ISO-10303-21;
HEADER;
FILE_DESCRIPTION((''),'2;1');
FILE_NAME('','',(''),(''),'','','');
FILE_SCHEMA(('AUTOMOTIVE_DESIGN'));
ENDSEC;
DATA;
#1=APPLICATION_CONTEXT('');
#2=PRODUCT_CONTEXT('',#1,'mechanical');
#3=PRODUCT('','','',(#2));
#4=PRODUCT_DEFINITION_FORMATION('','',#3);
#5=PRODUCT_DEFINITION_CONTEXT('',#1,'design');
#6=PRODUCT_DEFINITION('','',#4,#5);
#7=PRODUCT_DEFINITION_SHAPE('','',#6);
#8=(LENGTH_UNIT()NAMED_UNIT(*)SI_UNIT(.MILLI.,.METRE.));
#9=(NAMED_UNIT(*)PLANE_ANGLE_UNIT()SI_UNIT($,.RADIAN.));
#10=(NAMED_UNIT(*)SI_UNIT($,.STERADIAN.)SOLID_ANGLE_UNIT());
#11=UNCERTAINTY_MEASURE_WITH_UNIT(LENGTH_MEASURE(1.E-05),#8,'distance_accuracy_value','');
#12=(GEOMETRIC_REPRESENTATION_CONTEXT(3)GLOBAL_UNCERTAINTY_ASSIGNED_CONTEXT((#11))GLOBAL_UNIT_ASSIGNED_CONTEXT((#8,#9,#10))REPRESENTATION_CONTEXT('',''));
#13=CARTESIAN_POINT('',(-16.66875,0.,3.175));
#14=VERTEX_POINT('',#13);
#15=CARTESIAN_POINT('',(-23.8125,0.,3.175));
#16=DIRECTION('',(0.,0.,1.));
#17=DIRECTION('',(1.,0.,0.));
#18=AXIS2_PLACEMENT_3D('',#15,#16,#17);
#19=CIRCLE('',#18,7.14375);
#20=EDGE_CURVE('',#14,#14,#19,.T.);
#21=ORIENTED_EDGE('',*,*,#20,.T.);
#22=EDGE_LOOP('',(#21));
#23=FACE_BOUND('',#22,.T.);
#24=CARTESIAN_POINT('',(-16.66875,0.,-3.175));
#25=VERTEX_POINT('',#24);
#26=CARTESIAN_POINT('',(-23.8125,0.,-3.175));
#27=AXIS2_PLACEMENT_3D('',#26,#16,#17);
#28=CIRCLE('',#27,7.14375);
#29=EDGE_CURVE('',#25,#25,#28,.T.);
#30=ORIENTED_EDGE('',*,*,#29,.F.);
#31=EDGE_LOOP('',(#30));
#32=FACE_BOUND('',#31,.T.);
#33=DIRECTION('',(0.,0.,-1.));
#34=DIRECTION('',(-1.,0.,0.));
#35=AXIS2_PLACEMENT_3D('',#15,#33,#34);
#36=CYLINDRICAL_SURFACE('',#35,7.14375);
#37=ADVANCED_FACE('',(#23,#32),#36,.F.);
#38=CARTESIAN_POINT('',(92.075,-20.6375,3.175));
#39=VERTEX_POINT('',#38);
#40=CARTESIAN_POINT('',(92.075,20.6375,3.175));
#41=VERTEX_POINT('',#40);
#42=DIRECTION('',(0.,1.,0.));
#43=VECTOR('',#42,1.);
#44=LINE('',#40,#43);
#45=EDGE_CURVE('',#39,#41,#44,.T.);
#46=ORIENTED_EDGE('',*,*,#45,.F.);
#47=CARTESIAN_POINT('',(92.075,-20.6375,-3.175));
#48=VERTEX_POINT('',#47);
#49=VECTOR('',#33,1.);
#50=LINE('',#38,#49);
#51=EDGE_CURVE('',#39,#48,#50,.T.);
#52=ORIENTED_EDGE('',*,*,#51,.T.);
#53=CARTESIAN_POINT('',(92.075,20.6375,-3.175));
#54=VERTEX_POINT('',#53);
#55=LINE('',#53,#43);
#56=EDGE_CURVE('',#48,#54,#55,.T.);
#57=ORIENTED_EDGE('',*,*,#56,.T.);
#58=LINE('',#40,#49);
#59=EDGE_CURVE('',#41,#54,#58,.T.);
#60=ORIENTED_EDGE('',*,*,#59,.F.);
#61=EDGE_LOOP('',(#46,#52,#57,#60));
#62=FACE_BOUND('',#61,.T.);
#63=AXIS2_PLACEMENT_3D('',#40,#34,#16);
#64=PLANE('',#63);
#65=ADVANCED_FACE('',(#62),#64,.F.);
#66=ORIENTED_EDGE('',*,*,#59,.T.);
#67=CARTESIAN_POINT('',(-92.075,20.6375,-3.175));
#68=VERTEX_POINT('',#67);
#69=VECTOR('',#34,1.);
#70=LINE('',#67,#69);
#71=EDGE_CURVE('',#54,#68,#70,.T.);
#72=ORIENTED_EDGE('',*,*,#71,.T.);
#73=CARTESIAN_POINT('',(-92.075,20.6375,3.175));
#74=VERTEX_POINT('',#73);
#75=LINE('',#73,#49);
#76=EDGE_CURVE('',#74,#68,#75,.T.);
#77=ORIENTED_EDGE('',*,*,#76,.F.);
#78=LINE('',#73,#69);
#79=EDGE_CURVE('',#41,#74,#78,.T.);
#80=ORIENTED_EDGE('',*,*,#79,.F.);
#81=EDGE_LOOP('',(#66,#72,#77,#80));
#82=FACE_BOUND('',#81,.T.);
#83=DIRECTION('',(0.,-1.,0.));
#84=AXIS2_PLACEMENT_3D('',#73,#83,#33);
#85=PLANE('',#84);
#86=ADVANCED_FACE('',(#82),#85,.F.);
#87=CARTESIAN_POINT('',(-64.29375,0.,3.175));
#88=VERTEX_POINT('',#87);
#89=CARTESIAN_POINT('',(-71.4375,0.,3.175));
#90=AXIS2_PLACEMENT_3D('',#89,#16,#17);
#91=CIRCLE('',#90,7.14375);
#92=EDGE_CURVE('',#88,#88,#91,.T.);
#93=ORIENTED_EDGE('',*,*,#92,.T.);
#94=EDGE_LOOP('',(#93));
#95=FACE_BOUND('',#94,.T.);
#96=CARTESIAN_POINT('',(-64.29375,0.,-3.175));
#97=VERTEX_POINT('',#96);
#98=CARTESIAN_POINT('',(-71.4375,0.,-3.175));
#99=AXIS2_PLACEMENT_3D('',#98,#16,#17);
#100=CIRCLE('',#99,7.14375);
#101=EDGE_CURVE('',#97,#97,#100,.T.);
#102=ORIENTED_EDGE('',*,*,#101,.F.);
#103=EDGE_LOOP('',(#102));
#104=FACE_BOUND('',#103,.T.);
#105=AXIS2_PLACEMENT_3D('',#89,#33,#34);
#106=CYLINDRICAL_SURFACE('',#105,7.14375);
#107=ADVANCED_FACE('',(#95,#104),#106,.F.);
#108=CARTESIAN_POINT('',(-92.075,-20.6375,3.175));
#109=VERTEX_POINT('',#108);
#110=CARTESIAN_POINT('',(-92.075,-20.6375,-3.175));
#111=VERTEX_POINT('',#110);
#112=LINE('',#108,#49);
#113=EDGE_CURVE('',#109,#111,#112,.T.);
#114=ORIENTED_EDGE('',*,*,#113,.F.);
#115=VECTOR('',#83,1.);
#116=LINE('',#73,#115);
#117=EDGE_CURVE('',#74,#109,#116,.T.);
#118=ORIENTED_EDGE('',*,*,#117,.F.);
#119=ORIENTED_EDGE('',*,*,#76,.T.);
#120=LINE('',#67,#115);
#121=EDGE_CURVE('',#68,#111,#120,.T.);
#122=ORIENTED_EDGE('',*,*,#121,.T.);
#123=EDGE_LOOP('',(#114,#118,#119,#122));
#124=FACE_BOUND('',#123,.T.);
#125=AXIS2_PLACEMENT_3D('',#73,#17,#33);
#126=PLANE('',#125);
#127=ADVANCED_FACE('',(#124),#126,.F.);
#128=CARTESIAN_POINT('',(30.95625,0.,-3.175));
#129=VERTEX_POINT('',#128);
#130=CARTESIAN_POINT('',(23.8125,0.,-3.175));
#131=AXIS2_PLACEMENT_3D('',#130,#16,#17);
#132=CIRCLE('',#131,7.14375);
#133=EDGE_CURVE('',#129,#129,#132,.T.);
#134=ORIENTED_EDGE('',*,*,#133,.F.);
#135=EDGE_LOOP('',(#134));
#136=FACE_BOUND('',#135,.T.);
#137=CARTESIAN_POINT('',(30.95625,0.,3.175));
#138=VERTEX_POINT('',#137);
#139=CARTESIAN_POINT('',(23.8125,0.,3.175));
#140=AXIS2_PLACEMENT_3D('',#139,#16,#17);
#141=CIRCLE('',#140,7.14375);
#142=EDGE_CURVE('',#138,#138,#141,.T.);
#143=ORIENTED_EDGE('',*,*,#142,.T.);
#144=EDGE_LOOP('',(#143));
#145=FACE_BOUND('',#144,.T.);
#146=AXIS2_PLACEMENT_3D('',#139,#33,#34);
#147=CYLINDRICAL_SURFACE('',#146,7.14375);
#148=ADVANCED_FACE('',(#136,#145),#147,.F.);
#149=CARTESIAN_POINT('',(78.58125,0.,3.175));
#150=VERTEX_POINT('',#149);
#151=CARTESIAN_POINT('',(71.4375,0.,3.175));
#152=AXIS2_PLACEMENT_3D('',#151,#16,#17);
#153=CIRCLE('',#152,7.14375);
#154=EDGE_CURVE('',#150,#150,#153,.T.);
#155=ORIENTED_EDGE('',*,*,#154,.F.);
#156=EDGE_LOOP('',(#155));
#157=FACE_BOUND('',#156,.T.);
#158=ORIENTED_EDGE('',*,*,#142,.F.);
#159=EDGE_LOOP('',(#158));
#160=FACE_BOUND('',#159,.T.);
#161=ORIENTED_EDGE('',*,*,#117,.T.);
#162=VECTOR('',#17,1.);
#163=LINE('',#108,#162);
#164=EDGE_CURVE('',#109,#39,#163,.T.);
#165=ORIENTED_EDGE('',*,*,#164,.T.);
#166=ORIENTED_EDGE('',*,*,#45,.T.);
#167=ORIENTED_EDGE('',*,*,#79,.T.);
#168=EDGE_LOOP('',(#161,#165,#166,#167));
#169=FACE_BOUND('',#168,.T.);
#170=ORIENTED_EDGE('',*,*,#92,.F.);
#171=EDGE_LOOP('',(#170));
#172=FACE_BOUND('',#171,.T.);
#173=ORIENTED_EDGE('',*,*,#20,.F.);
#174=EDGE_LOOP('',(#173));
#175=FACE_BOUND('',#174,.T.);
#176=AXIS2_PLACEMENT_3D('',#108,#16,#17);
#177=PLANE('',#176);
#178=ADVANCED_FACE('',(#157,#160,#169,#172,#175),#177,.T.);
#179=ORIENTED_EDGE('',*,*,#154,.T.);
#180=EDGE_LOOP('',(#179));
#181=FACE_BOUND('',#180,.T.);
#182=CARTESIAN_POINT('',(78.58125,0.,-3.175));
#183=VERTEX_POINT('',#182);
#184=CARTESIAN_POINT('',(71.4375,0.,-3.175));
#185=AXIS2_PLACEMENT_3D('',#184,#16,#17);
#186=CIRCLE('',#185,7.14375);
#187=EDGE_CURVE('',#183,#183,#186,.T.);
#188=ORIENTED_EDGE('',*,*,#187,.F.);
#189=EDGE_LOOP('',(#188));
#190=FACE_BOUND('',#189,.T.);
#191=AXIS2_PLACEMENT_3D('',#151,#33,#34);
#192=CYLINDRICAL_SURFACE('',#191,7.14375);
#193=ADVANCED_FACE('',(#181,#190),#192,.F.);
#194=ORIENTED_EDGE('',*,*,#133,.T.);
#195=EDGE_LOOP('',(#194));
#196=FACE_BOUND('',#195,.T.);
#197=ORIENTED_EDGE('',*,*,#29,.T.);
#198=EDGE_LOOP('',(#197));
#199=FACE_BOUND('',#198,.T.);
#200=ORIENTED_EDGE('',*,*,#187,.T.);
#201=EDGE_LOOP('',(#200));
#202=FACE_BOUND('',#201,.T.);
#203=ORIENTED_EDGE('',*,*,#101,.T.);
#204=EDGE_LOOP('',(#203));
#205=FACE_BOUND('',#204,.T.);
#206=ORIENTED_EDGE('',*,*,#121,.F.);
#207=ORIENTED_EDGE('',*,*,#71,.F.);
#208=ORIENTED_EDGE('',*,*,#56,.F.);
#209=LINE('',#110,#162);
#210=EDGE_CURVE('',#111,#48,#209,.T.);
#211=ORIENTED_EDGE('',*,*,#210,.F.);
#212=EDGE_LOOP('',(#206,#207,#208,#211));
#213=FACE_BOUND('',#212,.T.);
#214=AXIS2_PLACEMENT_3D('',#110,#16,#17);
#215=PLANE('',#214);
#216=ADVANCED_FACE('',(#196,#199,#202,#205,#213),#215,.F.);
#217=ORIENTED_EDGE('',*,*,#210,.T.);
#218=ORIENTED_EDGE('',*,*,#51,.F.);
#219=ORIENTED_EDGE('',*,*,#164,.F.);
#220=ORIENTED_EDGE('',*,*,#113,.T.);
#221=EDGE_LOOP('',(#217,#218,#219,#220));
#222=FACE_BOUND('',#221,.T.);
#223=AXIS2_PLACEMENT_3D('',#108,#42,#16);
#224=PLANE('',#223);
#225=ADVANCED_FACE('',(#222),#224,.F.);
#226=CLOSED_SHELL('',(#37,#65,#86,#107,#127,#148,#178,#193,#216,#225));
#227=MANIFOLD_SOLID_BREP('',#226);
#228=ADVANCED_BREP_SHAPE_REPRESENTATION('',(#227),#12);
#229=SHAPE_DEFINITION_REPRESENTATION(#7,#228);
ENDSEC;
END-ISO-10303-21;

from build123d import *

# Parameters (mm, degrees)
SKETCH1_W           = 184.15
SKETCH1_H           = 41.275
SKETCH1_R           = 7.14375
BOSS_EXTRUDE1_DEPTH = 3.175


with BuildPart() as part:
    # Sketch1 → Boss-Extrude1 (new, symmetric)
    with BuildSketch(Plane.XY):
        Rectangle(SKETCH1_W, SKETCH1_H)
        with Locations((-71.4375, 0)):
            Circle(SKETCH1_R, mode=Mode.SUBTRACT)
        with Locations((-23.8125, 0)):
            Circle(SKETCH1_R, mode=Mode.SUBTRACT)
        with Locations((23.8125, 0)):
            Circle(SKETCH1_R, mode=Mode.SUBTRACT)
        with Locations((71.4375, 0)):
            Circle(SKETCH1_R, mode=Mode.SUBTRACT)
    extrude(amount=BOSS_EXTRUDE1_DEPTH, both=True)


solid = part.part
